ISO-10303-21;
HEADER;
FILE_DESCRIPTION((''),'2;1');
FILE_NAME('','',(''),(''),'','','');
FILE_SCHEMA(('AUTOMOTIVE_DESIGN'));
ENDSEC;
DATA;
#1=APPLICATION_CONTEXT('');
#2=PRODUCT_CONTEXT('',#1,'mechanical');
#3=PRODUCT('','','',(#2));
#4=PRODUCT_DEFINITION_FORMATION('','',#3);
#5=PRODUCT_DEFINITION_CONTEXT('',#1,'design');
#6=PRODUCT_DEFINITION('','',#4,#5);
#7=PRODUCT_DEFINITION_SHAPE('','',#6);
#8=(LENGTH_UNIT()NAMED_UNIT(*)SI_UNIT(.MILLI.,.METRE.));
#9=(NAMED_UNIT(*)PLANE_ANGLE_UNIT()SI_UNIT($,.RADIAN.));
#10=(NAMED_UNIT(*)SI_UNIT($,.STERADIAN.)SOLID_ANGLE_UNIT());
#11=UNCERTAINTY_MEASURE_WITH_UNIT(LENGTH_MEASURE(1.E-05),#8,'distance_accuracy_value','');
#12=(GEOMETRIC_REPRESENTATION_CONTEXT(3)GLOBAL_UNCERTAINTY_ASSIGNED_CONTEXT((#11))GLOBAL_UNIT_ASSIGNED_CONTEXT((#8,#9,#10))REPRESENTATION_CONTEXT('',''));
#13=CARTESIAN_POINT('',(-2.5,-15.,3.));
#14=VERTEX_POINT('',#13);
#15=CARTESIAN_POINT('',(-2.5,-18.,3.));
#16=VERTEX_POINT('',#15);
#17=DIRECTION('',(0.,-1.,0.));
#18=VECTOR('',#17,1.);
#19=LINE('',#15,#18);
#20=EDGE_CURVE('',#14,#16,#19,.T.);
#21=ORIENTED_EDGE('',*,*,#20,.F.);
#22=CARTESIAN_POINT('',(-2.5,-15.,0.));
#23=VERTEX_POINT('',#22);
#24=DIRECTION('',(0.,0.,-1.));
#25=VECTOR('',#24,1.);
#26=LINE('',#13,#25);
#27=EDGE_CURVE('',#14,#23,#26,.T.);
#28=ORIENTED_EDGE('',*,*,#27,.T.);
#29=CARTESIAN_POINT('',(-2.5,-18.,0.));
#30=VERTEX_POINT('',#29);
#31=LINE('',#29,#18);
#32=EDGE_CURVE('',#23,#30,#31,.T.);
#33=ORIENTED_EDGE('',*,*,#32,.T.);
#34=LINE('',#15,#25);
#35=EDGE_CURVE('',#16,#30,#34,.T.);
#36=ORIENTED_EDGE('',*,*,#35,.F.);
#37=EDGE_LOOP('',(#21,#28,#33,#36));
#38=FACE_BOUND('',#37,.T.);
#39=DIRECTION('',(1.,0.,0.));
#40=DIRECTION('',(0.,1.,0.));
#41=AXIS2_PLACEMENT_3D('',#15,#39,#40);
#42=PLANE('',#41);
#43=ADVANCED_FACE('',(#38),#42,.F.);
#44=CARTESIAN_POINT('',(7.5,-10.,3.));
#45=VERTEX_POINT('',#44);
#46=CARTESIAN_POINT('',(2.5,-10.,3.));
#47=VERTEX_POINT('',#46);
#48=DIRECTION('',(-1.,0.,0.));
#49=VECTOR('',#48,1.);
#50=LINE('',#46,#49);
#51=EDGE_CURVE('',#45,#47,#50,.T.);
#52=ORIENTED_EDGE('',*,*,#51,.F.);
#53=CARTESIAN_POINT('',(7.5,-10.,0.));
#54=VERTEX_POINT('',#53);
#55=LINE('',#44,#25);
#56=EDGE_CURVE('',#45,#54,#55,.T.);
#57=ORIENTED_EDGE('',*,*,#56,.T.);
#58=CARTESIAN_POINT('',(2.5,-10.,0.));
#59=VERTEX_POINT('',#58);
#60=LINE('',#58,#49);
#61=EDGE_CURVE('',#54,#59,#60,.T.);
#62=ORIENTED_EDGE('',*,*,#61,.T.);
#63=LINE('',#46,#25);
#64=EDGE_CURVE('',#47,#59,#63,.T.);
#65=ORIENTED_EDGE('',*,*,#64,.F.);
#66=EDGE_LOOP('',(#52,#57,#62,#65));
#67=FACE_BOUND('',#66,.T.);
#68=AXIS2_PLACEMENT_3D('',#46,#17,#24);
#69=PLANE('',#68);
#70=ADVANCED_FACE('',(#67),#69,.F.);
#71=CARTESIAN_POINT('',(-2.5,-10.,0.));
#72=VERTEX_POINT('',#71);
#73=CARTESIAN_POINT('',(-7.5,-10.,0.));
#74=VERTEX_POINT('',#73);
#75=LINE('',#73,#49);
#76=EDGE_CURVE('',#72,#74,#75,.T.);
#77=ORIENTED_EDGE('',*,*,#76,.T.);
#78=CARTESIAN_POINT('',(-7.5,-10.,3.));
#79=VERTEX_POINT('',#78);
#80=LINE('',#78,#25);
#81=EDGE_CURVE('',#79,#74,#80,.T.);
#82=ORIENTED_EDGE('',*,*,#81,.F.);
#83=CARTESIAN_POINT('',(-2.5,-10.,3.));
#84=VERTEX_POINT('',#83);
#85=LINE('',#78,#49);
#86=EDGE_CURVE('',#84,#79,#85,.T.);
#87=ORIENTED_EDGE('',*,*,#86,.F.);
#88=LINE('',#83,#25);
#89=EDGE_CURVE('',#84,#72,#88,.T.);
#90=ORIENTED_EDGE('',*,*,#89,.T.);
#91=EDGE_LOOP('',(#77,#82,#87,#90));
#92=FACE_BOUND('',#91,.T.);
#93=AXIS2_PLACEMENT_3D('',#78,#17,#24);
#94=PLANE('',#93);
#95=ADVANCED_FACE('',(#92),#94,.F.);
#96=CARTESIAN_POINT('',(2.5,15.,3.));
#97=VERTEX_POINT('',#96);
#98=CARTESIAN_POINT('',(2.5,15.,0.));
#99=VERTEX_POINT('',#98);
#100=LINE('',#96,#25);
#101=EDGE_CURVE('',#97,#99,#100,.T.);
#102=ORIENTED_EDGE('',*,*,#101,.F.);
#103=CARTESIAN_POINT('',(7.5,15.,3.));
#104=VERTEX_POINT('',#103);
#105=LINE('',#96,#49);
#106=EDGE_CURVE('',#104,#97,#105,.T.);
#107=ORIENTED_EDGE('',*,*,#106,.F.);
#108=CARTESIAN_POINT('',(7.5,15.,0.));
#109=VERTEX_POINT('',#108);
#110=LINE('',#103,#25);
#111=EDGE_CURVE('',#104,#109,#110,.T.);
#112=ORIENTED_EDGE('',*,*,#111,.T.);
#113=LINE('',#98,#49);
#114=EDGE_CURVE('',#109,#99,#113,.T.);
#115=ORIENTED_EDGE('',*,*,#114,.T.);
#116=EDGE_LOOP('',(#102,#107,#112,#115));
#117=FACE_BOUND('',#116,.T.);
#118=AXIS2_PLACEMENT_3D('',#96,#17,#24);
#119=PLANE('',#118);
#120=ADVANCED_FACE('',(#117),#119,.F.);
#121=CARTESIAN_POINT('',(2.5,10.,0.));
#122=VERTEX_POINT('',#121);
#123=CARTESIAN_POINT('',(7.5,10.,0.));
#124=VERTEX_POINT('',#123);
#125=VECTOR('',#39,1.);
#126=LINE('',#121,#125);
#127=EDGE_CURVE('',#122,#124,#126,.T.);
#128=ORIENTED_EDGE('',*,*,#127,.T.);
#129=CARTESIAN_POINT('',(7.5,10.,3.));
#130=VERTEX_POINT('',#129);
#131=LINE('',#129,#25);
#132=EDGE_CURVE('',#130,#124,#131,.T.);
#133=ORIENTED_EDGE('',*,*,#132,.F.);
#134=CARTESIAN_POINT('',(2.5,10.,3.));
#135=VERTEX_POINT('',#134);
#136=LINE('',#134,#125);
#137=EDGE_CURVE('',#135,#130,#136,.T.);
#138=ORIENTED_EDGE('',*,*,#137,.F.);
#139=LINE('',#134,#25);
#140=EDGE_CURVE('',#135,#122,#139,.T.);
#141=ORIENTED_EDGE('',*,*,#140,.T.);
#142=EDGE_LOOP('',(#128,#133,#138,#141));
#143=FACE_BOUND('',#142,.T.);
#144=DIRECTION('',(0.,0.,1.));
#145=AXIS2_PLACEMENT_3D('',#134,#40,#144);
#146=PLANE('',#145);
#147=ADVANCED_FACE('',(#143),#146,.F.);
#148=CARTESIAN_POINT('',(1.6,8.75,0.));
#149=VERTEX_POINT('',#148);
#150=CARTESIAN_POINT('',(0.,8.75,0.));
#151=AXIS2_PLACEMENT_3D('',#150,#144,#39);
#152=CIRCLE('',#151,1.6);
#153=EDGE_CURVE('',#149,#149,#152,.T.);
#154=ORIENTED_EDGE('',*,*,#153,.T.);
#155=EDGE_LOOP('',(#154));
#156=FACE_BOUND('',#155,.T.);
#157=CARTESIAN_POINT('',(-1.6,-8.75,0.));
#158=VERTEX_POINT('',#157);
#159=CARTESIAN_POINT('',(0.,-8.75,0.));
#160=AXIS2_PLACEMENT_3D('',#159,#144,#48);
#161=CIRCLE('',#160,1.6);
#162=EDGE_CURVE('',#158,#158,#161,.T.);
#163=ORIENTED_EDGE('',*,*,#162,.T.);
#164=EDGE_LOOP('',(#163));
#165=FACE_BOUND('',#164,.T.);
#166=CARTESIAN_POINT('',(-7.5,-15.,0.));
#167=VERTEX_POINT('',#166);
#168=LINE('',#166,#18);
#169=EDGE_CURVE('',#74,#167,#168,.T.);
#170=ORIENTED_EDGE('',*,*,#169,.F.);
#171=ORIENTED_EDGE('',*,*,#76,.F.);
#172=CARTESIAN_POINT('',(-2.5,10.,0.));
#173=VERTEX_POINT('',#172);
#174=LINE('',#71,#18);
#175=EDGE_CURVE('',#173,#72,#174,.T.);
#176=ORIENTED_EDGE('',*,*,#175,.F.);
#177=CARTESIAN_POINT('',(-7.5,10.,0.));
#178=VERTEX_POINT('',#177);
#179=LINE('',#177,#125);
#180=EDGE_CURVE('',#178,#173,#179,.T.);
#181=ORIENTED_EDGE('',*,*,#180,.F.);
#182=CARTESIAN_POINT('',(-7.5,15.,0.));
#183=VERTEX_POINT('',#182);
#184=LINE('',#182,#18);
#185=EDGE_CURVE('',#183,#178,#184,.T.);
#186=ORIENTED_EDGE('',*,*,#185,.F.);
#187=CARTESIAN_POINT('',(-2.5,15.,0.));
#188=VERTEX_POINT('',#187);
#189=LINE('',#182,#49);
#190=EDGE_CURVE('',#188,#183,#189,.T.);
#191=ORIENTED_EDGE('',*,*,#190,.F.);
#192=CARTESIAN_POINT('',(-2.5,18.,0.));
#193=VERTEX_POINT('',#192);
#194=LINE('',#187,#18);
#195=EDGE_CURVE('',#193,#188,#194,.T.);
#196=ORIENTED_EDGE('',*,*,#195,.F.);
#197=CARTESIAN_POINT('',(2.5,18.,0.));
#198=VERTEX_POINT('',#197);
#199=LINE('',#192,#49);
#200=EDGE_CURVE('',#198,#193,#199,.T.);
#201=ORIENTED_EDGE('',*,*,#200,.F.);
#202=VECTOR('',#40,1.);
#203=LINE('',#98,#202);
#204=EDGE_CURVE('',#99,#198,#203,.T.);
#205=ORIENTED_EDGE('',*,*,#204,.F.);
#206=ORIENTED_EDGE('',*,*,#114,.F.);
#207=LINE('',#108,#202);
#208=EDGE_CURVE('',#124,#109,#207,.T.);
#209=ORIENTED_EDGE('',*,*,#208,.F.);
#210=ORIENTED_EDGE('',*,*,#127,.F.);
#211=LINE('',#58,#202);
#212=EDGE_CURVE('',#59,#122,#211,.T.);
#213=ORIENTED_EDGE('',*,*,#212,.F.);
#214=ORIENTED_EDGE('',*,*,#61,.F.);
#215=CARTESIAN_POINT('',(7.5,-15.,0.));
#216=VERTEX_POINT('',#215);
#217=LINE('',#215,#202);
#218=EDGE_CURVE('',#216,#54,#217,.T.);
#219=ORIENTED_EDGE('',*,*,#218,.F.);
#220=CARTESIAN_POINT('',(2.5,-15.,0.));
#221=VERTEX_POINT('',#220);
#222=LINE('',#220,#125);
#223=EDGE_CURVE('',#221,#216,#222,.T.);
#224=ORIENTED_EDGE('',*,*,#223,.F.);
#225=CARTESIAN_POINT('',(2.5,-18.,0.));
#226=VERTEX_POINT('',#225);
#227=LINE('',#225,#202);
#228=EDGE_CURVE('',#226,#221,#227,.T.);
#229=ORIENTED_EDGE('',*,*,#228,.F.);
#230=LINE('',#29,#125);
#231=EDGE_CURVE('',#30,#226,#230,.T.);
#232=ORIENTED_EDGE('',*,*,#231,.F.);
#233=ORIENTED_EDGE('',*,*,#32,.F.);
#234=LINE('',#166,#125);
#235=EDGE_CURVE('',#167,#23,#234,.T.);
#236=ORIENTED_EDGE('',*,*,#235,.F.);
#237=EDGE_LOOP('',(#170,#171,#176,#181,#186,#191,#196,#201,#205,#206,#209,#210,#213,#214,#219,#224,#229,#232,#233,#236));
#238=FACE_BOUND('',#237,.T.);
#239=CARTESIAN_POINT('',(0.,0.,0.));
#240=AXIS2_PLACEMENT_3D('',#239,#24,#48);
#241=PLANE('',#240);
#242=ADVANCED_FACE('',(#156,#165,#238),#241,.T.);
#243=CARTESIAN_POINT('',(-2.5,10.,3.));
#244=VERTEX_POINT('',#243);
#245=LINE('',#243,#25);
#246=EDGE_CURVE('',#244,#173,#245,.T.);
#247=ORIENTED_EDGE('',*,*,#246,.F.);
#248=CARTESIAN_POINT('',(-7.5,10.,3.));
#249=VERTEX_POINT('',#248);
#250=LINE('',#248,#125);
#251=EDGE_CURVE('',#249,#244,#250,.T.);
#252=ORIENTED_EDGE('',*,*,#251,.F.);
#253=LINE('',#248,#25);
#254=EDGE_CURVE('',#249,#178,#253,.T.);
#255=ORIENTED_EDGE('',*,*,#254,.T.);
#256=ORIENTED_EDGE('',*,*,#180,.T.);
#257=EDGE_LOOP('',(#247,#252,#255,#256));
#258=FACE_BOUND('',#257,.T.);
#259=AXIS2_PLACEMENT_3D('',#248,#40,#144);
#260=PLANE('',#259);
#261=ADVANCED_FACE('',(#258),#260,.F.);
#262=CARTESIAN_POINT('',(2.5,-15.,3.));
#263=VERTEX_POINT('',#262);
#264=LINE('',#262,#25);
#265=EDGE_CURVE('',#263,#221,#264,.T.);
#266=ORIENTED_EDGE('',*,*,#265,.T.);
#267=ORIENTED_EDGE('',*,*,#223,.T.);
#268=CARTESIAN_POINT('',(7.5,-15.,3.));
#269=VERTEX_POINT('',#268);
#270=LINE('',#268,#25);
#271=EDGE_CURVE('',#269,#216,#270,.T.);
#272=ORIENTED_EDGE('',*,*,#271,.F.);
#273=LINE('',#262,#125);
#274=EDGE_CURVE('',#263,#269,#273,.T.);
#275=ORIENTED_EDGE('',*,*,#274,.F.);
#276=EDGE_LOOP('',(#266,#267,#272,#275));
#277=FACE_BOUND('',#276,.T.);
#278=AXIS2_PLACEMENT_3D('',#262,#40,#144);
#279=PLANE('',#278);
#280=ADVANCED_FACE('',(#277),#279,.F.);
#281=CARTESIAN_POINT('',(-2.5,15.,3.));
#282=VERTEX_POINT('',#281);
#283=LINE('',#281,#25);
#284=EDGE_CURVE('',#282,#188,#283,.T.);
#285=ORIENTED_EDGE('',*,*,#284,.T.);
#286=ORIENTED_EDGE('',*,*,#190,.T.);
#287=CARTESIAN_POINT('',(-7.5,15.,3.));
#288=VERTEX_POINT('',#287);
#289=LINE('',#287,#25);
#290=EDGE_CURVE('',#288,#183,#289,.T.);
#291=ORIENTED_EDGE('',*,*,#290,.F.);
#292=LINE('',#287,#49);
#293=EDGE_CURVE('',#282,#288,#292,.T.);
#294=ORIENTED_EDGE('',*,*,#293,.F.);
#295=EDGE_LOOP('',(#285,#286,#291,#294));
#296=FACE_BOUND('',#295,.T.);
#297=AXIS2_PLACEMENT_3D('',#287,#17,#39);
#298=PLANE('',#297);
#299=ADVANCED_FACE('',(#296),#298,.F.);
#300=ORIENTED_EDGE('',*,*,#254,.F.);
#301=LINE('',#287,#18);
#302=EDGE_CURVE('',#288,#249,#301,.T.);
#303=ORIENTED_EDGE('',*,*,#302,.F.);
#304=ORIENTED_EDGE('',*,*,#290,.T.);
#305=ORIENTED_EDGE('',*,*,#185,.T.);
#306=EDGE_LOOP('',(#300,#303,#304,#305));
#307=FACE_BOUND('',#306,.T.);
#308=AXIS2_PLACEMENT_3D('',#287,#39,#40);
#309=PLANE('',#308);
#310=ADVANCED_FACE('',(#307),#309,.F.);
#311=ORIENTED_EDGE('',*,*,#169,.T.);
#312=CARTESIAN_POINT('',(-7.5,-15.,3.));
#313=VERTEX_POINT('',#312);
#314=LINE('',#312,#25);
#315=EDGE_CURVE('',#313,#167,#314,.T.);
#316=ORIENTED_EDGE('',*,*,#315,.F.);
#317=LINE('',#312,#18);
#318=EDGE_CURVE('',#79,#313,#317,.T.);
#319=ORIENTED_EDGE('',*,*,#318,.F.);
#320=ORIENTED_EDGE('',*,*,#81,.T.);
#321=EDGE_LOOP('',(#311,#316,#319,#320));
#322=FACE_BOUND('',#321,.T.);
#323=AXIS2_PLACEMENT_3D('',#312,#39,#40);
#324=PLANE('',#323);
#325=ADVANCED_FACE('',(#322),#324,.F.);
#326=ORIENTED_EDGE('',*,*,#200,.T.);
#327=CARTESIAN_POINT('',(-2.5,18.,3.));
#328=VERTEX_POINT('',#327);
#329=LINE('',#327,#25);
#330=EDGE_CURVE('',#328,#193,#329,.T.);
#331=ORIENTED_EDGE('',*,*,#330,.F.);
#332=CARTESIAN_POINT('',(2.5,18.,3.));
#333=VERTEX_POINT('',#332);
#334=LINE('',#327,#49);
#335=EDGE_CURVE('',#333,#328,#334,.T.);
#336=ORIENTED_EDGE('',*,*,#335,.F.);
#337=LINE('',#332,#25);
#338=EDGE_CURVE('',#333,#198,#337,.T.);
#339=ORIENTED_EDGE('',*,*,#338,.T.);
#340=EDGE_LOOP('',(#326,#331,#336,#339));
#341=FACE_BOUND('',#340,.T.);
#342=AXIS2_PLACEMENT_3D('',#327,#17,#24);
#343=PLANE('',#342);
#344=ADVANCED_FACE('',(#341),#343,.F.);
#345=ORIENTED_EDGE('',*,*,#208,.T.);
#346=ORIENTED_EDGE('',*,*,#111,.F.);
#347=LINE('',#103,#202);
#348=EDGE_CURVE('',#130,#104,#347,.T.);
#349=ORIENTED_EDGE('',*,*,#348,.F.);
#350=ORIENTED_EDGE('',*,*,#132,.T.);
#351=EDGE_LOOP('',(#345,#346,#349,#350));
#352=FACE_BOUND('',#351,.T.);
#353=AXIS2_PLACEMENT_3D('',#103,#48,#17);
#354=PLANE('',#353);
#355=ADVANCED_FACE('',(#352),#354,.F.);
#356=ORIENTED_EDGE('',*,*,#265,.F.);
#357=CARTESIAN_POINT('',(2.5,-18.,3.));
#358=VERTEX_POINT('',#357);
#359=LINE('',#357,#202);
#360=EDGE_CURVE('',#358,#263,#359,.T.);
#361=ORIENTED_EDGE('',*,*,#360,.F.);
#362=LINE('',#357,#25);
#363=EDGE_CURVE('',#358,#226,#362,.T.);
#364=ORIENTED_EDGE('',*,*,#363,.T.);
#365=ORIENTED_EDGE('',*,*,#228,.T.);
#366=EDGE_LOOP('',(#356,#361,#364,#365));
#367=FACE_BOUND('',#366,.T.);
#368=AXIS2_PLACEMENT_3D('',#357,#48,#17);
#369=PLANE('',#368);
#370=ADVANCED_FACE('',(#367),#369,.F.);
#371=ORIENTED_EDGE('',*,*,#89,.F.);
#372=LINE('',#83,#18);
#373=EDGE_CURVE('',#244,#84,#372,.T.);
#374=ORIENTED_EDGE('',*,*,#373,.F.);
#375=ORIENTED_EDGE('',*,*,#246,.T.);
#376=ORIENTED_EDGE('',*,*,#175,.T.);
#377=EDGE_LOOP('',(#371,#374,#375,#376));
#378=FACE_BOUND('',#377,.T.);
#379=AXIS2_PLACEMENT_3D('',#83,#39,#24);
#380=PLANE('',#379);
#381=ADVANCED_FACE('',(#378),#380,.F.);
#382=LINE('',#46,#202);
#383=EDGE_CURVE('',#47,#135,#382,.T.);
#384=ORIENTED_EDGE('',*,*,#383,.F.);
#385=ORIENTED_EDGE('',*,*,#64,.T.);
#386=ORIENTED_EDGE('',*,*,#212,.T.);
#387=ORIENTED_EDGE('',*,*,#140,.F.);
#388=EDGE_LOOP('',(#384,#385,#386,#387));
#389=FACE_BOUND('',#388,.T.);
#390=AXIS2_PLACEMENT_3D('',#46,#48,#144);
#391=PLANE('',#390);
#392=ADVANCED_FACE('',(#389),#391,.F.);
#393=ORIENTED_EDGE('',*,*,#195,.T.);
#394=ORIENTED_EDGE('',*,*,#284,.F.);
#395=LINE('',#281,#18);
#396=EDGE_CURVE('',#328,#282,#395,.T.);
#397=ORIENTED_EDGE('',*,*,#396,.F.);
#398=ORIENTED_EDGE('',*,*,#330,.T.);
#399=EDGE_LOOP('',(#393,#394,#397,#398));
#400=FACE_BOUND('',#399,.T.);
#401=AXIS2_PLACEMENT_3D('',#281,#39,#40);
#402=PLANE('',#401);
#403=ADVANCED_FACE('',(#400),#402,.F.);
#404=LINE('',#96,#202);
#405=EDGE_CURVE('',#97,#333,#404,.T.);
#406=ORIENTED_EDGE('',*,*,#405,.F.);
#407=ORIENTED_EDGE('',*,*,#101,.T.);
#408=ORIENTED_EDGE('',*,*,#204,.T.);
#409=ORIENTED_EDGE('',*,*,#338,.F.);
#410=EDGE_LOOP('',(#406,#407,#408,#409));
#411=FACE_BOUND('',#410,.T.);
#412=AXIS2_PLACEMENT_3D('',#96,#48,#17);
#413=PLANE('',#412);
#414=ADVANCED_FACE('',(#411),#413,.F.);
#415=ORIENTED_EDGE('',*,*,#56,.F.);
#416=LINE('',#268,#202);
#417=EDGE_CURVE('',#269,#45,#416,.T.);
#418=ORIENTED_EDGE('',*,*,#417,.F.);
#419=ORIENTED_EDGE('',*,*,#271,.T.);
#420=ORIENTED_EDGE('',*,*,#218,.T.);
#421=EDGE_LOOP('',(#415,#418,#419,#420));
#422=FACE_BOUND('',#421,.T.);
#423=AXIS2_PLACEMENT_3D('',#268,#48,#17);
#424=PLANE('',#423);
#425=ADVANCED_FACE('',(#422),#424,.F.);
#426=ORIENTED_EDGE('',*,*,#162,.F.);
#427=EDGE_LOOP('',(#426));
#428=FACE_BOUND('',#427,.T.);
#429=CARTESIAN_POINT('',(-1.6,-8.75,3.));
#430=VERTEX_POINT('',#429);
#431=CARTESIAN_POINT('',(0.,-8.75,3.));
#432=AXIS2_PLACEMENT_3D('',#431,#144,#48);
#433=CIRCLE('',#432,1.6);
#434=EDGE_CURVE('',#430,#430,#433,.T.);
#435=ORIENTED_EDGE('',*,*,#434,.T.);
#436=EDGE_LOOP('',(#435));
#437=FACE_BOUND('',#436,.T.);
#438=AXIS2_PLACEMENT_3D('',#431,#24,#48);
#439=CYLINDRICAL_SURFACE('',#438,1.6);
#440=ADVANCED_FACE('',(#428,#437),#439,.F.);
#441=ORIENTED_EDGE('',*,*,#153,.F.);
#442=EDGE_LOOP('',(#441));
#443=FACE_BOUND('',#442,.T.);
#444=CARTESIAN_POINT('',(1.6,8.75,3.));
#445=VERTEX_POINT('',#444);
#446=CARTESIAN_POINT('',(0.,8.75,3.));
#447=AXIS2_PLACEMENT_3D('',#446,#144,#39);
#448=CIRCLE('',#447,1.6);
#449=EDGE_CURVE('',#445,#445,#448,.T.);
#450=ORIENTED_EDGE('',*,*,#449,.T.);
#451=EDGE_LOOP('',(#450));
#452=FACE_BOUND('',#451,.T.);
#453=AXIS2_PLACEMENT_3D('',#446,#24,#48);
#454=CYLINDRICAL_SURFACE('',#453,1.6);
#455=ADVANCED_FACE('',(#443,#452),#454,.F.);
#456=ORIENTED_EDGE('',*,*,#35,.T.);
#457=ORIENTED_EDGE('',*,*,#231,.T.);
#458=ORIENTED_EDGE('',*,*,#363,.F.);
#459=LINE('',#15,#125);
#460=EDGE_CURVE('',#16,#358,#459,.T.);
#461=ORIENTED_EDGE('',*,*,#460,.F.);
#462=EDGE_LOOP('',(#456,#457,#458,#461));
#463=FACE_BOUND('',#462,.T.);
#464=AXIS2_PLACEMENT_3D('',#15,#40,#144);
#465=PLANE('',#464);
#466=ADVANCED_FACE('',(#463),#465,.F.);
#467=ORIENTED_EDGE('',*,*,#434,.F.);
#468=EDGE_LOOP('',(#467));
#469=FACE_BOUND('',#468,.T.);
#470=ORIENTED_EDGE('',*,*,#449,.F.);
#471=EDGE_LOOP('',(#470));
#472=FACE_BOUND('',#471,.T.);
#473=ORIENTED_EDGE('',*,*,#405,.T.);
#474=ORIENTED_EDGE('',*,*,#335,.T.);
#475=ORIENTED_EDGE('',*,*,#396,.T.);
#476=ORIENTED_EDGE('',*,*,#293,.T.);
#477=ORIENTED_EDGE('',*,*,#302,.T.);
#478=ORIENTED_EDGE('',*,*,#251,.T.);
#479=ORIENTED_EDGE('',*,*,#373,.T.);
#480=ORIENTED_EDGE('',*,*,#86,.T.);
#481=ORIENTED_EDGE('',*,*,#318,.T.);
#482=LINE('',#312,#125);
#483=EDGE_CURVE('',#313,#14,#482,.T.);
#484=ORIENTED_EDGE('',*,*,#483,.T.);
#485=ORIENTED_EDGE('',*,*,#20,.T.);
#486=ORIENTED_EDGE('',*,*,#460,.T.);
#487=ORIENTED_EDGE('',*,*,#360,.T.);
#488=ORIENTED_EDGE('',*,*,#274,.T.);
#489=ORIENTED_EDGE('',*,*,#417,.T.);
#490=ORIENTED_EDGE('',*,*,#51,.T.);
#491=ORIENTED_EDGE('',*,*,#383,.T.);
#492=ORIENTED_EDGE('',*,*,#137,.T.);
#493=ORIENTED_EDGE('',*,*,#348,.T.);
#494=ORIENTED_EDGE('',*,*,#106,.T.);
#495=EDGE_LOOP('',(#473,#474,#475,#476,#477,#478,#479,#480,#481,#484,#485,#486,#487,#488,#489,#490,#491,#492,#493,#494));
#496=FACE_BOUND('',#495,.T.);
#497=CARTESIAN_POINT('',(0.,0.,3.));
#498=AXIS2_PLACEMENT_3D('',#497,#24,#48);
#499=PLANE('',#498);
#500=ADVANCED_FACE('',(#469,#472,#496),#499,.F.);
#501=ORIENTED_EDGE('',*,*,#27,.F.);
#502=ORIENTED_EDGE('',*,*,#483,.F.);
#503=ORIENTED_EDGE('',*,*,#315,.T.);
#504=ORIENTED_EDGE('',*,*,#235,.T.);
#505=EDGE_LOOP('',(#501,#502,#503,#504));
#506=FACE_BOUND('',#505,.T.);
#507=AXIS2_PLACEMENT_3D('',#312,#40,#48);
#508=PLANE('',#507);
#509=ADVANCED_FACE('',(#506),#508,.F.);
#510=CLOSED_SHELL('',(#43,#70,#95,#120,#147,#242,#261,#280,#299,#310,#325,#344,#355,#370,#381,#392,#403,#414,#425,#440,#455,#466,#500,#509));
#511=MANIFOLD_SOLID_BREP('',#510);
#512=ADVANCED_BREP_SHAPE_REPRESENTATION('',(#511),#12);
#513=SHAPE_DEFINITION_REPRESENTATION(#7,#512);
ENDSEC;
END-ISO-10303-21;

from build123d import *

# Parameters (mm, degrees)
SKETCH1_R           = 1.6
BOSS_EXTRUDE1_DEPTH = 3


with BuildPart() as part:
    # Sketch1 → Boss-Extrude1 (new body)
    with BuildSketch(Plane.XY):
        Polygon((-2.5, 15), (-2.5, 18), (2.5, 18), (2.5, 15), (7.5, 15), (7.5, 10), (2.5, 10), (2.5, -10), (7.5, -10), (7.5, -15), (2.5, -15), (2.5, -18), (-2.5, -18), (-2.5, -15), (-7.5, -15), (-7.5, -10), (-2.5, -10), (-2.5, 10), (-7.5, 10), (-7.5, 15), align=None)
        with Locations((0, 8.75)):
            Circle(SKETCH1_R, mode=Mode.SUBTRACT)
        with Locations(Location((0, -8.75, 0), (0, 0, 180))):
            Circle(SKETCH1_R, mode=Mode.SUBTRACT)
    extrude(amount=BOSS_EXTRUDE1_DEPTH)


solid = part.part
